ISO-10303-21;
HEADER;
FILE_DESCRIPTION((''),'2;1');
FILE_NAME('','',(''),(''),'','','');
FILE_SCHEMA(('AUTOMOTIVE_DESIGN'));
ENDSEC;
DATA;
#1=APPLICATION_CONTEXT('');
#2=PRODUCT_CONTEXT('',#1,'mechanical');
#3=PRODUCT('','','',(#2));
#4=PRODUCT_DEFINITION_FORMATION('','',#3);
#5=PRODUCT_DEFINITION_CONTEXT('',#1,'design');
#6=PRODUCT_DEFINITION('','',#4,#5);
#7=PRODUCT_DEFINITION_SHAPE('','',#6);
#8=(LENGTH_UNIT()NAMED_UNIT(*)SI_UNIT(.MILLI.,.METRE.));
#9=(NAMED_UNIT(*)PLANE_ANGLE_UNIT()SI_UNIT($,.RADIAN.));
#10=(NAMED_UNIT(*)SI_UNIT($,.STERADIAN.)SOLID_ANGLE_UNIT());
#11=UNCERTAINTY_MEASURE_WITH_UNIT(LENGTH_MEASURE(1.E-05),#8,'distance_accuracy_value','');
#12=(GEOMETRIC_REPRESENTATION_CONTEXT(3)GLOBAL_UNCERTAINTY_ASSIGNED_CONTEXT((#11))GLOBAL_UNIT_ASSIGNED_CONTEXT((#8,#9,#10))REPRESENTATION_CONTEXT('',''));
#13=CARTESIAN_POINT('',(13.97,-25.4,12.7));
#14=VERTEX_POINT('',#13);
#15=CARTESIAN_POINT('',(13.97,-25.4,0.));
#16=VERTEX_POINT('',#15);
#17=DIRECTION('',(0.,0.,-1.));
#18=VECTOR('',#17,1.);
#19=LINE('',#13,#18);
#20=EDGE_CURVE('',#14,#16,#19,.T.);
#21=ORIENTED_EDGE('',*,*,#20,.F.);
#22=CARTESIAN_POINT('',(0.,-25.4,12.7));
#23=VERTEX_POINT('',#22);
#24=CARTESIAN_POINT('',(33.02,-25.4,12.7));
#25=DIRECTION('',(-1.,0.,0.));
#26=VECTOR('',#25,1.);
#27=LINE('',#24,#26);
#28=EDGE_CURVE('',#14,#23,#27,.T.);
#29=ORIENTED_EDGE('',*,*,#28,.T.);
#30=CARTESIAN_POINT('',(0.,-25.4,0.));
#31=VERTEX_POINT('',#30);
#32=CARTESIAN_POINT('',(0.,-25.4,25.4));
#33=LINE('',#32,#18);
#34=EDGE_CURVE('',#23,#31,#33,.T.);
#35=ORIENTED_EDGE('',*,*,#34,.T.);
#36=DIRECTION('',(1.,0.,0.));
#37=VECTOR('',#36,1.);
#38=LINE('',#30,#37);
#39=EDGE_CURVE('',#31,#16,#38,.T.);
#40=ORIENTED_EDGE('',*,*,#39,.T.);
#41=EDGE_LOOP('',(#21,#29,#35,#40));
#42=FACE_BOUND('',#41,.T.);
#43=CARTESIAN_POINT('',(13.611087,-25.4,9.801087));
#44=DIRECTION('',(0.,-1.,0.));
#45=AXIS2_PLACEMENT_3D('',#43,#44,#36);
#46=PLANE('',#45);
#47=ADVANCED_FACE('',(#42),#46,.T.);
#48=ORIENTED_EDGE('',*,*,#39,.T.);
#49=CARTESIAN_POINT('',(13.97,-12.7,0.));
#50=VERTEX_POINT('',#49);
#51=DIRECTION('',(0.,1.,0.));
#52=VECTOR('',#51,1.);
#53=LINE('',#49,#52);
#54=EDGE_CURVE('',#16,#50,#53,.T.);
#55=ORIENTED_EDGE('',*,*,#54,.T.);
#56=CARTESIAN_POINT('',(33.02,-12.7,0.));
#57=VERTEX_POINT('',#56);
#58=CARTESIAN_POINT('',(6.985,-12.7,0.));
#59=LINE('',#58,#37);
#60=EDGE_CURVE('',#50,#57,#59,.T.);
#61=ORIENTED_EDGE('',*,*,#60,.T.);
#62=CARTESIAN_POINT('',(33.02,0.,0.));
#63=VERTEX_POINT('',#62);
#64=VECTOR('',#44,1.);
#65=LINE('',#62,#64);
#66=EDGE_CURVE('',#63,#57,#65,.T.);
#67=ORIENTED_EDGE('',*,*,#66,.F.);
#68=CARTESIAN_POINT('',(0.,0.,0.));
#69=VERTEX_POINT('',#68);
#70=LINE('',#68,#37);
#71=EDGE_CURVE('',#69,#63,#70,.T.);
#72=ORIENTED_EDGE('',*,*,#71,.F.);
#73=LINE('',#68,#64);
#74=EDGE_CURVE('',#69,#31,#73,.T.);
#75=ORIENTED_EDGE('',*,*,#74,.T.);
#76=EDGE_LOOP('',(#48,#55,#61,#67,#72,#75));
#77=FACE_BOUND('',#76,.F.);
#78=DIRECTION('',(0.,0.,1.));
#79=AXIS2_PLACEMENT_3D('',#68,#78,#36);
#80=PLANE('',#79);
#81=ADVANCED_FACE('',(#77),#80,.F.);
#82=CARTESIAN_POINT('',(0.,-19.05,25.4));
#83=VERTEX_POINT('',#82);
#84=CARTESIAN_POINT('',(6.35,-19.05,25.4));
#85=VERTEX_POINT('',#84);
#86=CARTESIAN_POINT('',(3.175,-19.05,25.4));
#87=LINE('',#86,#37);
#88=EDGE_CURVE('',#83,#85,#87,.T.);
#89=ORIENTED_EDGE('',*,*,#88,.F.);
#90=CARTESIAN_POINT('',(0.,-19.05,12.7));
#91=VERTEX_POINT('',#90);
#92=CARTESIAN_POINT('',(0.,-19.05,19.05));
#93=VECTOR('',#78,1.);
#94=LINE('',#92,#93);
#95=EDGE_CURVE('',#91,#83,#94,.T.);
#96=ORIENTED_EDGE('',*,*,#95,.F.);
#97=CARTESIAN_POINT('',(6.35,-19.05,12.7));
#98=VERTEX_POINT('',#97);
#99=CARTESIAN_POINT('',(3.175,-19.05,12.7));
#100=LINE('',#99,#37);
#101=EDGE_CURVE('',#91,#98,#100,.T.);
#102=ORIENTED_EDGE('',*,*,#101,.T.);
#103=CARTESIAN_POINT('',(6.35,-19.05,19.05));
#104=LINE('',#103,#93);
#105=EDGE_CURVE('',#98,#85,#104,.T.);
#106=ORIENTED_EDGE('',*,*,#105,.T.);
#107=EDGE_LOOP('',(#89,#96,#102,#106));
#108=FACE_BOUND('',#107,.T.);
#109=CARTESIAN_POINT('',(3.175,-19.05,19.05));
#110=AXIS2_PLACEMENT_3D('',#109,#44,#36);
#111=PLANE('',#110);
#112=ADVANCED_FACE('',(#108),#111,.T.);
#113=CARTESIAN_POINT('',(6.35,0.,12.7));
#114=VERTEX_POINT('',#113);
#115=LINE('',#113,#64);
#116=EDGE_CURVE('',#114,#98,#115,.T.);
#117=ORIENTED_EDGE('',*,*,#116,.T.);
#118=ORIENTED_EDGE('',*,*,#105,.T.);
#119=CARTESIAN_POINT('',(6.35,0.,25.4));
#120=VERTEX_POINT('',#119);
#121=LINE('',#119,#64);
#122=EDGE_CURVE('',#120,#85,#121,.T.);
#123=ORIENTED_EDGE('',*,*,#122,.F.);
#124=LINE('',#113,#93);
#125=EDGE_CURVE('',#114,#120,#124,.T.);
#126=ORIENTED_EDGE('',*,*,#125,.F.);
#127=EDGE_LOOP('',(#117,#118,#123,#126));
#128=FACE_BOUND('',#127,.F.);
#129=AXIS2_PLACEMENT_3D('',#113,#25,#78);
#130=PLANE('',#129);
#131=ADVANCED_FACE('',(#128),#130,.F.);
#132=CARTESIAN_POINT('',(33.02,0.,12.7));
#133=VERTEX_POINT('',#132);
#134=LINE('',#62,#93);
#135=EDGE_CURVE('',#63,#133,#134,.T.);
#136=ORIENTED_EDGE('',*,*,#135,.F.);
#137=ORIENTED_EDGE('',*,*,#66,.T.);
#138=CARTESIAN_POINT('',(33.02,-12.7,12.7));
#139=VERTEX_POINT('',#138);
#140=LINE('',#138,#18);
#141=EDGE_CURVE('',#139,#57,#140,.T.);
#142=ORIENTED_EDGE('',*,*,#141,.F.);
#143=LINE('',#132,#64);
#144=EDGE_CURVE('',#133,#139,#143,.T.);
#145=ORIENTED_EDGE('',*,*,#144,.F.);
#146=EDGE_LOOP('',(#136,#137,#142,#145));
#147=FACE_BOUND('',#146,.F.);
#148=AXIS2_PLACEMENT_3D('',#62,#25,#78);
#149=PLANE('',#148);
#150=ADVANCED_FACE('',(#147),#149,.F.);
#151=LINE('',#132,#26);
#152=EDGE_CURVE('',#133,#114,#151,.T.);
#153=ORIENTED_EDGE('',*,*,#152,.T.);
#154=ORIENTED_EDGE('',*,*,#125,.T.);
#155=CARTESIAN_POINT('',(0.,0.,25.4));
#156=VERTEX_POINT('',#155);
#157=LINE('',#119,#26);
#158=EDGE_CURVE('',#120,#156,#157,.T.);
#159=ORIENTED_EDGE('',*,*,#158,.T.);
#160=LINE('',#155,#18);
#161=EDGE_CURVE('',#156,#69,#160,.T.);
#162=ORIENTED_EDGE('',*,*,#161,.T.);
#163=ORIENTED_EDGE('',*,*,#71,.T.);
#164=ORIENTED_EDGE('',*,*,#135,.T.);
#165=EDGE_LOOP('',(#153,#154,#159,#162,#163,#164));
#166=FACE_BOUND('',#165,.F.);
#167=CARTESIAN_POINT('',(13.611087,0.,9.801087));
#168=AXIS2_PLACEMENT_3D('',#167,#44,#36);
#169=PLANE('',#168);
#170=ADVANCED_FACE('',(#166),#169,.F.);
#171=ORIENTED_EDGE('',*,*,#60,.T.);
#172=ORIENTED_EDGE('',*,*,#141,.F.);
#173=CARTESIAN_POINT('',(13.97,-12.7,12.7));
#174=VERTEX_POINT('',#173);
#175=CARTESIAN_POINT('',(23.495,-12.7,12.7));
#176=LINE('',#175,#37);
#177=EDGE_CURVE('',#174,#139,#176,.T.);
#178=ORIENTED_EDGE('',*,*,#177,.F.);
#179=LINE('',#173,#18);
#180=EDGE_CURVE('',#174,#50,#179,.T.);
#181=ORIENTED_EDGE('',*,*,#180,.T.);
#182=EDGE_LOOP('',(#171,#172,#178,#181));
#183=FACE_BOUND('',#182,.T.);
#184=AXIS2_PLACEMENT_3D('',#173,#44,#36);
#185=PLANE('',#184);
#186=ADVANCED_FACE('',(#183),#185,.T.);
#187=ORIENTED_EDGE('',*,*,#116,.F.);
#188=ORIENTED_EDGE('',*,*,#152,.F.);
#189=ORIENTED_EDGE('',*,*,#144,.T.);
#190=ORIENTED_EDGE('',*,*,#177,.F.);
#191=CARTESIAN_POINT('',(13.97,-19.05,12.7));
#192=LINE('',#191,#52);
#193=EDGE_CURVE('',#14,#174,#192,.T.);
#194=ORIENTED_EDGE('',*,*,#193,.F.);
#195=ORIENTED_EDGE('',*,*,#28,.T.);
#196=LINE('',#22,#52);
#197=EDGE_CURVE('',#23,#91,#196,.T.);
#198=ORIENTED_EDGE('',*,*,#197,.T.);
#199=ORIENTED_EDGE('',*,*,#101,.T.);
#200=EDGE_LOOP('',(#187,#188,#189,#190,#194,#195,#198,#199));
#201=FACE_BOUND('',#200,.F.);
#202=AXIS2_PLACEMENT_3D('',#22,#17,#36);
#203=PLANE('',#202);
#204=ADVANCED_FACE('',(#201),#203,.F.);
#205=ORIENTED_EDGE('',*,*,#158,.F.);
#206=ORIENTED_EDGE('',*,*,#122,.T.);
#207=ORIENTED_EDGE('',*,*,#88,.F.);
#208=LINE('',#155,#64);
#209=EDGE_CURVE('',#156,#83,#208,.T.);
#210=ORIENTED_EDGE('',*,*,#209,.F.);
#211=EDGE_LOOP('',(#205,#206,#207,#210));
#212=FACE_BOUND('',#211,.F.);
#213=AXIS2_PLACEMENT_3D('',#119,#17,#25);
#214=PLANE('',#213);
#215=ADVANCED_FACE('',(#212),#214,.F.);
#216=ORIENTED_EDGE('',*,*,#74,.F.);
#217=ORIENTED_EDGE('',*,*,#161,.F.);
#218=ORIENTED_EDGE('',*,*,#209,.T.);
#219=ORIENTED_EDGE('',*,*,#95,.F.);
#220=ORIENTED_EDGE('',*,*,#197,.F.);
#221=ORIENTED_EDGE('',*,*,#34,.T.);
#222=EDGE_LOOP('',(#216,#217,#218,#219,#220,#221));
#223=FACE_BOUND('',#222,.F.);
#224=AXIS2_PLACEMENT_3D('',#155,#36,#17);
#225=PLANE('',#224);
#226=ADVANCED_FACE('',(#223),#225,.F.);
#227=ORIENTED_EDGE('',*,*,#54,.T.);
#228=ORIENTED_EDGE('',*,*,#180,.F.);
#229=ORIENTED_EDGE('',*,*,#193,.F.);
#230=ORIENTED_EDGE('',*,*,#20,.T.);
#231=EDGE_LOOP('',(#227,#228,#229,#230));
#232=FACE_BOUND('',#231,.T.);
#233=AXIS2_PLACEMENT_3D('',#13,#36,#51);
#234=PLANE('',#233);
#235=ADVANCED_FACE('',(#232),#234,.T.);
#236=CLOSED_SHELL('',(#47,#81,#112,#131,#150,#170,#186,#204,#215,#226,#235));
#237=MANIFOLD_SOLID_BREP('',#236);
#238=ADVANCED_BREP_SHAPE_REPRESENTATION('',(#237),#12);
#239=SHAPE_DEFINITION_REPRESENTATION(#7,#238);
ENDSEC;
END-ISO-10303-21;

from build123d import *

# Parameters (mm, degrees)
F1_DEPTH = 25.4
F2_W     = 6.35
F2_H     = 12.7
F3_DEPTH = 6.35
F4_W     = 19.05
F4_H     = 12.7
F5_DEPTH = 12.701


with BuildPart() as f1:
    # F0 (on Front) → F1 (new body)
    with BuildSketch(Plane.XZ):
        Polygon((0, 25.4), (0, 0), (33.02, 0), (33.02, 12.7), (6.35, 12.7), (6.35, 25.4), align=None)
    extrude(amount=F1_DEPTH)

    # F2 (on face) → F3 (cut)
    with BuildSketch(Plane.XZ.offset(25.4)):
        with Locations((3.175, 19.05)):
            Rectangle(F2_W, F2_H)
    extrude(amount=-F3_DEPTH, mode=Mode.SUBTRACT)

    # F4 (on face) → F5 (cut, through all)
    with BuildSketch(Plane.XY.offset(12.7)):
        with Locations((23.495, -19.05)):
            Rectangle(F4_W, F4_H)
    extrude(amount=-F5_DEPTH, mode=Mode.SUBTRACT)


solid = f1.part
